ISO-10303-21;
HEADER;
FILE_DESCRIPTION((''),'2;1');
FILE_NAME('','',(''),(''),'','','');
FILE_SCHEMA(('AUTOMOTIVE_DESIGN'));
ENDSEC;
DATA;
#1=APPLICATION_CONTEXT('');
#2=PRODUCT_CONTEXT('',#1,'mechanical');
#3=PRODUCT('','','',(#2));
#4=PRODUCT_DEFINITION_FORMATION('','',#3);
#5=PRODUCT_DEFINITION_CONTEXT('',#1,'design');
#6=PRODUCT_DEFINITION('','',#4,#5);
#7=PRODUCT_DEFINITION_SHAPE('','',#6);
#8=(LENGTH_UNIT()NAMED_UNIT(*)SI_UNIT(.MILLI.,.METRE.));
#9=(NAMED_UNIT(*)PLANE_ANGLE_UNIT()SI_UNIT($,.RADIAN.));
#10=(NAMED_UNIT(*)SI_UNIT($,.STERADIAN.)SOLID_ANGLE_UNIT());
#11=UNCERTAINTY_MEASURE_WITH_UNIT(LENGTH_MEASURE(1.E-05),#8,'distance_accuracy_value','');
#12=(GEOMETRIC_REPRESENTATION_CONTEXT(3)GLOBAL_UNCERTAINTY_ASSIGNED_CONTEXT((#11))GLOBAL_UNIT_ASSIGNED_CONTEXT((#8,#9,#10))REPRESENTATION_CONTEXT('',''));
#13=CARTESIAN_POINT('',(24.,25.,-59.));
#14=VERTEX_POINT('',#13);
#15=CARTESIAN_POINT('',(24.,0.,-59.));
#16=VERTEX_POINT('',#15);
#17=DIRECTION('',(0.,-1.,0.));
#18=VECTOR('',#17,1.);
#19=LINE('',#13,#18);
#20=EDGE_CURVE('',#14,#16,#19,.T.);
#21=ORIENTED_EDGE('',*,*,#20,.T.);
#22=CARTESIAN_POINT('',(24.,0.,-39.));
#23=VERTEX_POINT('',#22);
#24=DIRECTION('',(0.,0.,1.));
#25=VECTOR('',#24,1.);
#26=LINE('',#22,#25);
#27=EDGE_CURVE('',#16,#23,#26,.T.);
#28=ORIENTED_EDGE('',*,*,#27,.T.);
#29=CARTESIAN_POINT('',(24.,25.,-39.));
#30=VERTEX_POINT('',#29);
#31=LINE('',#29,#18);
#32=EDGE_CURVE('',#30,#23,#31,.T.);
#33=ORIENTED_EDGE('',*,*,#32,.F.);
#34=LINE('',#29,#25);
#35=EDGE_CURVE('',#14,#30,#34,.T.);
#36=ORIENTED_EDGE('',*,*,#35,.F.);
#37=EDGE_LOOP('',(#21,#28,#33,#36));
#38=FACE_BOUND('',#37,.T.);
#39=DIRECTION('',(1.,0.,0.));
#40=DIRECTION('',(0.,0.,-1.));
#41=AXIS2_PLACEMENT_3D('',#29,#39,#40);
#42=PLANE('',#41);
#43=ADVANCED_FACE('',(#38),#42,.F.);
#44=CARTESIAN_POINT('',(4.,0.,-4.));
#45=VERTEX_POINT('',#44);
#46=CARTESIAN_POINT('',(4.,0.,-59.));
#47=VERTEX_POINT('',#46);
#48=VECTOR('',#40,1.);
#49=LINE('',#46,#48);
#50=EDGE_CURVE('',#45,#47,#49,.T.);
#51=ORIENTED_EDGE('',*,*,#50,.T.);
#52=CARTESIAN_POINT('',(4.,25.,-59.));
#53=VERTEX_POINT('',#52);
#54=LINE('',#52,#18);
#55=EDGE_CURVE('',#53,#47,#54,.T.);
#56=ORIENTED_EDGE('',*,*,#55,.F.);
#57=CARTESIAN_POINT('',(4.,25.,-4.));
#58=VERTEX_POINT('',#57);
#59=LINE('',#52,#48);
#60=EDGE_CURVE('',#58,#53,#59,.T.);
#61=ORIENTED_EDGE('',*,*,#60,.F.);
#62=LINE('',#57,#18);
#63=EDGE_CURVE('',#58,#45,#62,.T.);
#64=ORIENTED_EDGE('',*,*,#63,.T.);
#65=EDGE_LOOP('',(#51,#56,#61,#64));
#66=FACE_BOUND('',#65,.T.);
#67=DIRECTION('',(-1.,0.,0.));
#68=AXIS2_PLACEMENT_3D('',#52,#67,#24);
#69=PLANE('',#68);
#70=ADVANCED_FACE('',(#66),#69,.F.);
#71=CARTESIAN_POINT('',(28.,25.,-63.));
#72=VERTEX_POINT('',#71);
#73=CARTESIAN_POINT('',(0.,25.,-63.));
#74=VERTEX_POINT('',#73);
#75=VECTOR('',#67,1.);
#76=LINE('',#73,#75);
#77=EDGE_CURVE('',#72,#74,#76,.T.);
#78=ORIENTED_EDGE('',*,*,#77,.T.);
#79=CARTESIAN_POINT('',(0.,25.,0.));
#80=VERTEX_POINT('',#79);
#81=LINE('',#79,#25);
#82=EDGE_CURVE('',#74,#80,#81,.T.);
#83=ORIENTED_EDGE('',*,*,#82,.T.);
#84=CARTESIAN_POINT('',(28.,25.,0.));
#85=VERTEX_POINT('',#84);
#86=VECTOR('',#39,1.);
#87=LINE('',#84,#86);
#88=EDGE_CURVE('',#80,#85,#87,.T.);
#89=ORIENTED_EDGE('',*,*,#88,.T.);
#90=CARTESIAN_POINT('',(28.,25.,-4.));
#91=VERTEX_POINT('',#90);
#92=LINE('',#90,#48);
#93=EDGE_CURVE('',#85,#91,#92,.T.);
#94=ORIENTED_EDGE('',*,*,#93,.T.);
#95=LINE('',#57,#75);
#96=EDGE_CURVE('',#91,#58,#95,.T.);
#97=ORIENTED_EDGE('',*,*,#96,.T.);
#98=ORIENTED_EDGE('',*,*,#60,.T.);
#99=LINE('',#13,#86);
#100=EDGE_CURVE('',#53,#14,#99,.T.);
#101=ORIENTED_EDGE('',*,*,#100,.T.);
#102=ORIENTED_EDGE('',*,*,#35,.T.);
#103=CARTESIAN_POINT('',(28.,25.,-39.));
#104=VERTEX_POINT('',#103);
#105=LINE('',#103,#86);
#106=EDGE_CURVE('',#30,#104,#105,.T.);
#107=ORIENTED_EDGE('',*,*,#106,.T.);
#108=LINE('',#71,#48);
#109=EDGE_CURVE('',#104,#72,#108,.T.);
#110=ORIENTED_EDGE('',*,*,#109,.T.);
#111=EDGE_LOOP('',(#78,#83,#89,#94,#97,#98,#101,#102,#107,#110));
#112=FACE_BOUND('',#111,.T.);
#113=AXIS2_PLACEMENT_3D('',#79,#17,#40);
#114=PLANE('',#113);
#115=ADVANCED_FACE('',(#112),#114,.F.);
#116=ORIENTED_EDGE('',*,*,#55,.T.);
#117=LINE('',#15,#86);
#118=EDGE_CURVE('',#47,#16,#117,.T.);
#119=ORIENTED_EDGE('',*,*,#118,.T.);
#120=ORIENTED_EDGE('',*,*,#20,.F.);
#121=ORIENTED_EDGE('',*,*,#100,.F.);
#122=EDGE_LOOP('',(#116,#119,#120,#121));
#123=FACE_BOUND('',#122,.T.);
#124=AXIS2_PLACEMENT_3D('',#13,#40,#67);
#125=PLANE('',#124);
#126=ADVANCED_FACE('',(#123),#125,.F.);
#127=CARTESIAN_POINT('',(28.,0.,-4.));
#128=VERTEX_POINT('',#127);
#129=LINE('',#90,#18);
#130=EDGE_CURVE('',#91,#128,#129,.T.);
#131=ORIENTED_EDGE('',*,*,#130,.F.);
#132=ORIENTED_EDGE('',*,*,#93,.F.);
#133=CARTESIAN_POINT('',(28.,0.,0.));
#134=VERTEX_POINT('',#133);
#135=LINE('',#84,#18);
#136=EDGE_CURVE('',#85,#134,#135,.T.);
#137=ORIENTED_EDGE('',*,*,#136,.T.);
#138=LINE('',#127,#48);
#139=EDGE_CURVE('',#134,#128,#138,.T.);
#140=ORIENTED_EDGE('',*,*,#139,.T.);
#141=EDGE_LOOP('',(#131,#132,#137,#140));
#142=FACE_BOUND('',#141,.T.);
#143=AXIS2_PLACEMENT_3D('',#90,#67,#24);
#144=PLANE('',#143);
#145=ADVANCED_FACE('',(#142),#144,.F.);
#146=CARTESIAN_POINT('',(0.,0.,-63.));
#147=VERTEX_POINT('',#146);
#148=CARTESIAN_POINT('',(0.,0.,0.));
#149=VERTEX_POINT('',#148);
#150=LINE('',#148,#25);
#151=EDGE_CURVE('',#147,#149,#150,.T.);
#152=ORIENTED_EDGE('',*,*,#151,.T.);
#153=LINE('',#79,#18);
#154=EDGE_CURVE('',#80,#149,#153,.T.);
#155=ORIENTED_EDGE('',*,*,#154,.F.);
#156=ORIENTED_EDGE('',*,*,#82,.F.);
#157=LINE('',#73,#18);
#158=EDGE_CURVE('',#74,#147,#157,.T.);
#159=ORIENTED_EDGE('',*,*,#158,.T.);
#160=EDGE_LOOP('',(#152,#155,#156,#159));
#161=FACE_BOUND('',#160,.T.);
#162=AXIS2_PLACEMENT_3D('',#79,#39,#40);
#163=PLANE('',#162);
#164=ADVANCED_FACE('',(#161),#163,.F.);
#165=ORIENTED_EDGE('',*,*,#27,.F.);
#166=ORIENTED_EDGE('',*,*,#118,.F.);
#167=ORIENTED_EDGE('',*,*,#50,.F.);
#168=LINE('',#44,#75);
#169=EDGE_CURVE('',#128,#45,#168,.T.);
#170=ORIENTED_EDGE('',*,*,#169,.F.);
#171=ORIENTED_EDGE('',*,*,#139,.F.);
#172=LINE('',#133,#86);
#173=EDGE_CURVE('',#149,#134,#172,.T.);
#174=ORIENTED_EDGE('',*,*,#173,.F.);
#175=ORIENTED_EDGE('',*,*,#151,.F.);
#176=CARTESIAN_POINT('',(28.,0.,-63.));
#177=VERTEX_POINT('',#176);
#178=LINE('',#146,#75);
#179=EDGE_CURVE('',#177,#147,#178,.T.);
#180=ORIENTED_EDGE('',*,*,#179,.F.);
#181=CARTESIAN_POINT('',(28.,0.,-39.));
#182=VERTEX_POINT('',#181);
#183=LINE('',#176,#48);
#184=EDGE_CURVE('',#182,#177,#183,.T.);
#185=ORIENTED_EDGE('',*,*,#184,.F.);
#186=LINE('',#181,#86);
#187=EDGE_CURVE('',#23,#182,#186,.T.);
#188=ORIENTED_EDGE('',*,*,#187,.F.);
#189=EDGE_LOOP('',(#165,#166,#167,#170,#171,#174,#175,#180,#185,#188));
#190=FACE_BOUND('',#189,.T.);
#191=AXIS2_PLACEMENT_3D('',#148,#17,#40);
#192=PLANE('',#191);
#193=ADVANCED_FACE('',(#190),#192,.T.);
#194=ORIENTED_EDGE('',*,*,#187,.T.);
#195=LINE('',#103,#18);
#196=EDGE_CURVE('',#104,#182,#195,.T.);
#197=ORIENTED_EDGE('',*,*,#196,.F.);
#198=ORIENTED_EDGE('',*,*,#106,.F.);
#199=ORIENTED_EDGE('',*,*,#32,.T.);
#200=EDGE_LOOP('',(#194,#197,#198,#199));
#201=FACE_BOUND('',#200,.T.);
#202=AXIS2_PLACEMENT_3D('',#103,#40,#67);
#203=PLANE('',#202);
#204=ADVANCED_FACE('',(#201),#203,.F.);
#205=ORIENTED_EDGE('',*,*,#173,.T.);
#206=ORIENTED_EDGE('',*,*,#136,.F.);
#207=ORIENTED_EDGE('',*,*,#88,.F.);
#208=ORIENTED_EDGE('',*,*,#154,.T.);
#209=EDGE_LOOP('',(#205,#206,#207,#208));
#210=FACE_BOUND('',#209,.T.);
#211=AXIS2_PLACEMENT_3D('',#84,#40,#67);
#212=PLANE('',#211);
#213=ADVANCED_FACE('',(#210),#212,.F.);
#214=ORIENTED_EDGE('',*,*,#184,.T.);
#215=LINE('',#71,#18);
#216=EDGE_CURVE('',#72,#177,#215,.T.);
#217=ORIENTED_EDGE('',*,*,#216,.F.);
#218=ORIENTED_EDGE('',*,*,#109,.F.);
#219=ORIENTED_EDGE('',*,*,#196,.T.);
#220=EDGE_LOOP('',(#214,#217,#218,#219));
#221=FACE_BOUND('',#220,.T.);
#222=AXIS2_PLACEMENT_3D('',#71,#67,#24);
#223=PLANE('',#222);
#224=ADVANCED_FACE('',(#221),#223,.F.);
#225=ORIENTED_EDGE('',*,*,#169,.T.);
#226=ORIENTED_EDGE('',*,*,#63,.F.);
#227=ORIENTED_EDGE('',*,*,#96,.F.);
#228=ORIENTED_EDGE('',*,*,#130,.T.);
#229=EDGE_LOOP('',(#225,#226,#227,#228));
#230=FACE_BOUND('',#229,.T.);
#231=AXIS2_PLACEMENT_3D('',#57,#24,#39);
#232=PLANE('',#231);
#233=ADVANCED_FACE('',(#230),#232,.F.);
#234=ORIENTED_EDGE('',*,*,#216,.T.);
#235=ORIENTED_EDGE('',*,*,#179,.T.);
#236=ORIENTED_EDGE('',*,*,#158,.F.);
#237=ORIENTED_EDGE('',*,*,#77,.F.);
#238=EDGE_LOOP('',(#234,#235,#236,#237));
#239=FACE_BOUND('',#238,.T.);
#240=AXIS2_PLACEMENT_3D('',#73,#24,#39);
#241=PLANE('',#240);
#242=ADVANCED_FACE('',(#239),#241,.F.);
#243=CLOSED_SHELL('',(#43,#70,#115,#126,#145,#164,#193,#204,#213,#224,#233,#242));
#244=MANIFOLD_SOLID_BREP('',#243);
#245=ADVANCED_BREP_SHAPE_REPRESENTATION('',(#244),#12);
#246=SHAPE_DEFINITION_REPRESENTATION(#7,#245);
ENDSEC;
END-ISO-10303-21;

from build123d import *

# Parameters (mm, degrees)
BOSS_EXTRUDE1_DEPTH = 25


with BuildPart() as part:
    # Sketch1 → Boss-Extrude1 (new body)
    with BuildSketch(Plane(origin=(0, 0, 0), x_dir=(1, 0, 0), z_dir=(0, 1, 0))):
        Polygon((0, 0), (0, 63), (28, 63), (28, 39), (24, 39), (24, 59), (4, 59), (4, 4), (28, 4), (28, 0), align=None)
    extrude(amount=BOSS_EXTRUDE1_DEPTH)


solid = part.part
